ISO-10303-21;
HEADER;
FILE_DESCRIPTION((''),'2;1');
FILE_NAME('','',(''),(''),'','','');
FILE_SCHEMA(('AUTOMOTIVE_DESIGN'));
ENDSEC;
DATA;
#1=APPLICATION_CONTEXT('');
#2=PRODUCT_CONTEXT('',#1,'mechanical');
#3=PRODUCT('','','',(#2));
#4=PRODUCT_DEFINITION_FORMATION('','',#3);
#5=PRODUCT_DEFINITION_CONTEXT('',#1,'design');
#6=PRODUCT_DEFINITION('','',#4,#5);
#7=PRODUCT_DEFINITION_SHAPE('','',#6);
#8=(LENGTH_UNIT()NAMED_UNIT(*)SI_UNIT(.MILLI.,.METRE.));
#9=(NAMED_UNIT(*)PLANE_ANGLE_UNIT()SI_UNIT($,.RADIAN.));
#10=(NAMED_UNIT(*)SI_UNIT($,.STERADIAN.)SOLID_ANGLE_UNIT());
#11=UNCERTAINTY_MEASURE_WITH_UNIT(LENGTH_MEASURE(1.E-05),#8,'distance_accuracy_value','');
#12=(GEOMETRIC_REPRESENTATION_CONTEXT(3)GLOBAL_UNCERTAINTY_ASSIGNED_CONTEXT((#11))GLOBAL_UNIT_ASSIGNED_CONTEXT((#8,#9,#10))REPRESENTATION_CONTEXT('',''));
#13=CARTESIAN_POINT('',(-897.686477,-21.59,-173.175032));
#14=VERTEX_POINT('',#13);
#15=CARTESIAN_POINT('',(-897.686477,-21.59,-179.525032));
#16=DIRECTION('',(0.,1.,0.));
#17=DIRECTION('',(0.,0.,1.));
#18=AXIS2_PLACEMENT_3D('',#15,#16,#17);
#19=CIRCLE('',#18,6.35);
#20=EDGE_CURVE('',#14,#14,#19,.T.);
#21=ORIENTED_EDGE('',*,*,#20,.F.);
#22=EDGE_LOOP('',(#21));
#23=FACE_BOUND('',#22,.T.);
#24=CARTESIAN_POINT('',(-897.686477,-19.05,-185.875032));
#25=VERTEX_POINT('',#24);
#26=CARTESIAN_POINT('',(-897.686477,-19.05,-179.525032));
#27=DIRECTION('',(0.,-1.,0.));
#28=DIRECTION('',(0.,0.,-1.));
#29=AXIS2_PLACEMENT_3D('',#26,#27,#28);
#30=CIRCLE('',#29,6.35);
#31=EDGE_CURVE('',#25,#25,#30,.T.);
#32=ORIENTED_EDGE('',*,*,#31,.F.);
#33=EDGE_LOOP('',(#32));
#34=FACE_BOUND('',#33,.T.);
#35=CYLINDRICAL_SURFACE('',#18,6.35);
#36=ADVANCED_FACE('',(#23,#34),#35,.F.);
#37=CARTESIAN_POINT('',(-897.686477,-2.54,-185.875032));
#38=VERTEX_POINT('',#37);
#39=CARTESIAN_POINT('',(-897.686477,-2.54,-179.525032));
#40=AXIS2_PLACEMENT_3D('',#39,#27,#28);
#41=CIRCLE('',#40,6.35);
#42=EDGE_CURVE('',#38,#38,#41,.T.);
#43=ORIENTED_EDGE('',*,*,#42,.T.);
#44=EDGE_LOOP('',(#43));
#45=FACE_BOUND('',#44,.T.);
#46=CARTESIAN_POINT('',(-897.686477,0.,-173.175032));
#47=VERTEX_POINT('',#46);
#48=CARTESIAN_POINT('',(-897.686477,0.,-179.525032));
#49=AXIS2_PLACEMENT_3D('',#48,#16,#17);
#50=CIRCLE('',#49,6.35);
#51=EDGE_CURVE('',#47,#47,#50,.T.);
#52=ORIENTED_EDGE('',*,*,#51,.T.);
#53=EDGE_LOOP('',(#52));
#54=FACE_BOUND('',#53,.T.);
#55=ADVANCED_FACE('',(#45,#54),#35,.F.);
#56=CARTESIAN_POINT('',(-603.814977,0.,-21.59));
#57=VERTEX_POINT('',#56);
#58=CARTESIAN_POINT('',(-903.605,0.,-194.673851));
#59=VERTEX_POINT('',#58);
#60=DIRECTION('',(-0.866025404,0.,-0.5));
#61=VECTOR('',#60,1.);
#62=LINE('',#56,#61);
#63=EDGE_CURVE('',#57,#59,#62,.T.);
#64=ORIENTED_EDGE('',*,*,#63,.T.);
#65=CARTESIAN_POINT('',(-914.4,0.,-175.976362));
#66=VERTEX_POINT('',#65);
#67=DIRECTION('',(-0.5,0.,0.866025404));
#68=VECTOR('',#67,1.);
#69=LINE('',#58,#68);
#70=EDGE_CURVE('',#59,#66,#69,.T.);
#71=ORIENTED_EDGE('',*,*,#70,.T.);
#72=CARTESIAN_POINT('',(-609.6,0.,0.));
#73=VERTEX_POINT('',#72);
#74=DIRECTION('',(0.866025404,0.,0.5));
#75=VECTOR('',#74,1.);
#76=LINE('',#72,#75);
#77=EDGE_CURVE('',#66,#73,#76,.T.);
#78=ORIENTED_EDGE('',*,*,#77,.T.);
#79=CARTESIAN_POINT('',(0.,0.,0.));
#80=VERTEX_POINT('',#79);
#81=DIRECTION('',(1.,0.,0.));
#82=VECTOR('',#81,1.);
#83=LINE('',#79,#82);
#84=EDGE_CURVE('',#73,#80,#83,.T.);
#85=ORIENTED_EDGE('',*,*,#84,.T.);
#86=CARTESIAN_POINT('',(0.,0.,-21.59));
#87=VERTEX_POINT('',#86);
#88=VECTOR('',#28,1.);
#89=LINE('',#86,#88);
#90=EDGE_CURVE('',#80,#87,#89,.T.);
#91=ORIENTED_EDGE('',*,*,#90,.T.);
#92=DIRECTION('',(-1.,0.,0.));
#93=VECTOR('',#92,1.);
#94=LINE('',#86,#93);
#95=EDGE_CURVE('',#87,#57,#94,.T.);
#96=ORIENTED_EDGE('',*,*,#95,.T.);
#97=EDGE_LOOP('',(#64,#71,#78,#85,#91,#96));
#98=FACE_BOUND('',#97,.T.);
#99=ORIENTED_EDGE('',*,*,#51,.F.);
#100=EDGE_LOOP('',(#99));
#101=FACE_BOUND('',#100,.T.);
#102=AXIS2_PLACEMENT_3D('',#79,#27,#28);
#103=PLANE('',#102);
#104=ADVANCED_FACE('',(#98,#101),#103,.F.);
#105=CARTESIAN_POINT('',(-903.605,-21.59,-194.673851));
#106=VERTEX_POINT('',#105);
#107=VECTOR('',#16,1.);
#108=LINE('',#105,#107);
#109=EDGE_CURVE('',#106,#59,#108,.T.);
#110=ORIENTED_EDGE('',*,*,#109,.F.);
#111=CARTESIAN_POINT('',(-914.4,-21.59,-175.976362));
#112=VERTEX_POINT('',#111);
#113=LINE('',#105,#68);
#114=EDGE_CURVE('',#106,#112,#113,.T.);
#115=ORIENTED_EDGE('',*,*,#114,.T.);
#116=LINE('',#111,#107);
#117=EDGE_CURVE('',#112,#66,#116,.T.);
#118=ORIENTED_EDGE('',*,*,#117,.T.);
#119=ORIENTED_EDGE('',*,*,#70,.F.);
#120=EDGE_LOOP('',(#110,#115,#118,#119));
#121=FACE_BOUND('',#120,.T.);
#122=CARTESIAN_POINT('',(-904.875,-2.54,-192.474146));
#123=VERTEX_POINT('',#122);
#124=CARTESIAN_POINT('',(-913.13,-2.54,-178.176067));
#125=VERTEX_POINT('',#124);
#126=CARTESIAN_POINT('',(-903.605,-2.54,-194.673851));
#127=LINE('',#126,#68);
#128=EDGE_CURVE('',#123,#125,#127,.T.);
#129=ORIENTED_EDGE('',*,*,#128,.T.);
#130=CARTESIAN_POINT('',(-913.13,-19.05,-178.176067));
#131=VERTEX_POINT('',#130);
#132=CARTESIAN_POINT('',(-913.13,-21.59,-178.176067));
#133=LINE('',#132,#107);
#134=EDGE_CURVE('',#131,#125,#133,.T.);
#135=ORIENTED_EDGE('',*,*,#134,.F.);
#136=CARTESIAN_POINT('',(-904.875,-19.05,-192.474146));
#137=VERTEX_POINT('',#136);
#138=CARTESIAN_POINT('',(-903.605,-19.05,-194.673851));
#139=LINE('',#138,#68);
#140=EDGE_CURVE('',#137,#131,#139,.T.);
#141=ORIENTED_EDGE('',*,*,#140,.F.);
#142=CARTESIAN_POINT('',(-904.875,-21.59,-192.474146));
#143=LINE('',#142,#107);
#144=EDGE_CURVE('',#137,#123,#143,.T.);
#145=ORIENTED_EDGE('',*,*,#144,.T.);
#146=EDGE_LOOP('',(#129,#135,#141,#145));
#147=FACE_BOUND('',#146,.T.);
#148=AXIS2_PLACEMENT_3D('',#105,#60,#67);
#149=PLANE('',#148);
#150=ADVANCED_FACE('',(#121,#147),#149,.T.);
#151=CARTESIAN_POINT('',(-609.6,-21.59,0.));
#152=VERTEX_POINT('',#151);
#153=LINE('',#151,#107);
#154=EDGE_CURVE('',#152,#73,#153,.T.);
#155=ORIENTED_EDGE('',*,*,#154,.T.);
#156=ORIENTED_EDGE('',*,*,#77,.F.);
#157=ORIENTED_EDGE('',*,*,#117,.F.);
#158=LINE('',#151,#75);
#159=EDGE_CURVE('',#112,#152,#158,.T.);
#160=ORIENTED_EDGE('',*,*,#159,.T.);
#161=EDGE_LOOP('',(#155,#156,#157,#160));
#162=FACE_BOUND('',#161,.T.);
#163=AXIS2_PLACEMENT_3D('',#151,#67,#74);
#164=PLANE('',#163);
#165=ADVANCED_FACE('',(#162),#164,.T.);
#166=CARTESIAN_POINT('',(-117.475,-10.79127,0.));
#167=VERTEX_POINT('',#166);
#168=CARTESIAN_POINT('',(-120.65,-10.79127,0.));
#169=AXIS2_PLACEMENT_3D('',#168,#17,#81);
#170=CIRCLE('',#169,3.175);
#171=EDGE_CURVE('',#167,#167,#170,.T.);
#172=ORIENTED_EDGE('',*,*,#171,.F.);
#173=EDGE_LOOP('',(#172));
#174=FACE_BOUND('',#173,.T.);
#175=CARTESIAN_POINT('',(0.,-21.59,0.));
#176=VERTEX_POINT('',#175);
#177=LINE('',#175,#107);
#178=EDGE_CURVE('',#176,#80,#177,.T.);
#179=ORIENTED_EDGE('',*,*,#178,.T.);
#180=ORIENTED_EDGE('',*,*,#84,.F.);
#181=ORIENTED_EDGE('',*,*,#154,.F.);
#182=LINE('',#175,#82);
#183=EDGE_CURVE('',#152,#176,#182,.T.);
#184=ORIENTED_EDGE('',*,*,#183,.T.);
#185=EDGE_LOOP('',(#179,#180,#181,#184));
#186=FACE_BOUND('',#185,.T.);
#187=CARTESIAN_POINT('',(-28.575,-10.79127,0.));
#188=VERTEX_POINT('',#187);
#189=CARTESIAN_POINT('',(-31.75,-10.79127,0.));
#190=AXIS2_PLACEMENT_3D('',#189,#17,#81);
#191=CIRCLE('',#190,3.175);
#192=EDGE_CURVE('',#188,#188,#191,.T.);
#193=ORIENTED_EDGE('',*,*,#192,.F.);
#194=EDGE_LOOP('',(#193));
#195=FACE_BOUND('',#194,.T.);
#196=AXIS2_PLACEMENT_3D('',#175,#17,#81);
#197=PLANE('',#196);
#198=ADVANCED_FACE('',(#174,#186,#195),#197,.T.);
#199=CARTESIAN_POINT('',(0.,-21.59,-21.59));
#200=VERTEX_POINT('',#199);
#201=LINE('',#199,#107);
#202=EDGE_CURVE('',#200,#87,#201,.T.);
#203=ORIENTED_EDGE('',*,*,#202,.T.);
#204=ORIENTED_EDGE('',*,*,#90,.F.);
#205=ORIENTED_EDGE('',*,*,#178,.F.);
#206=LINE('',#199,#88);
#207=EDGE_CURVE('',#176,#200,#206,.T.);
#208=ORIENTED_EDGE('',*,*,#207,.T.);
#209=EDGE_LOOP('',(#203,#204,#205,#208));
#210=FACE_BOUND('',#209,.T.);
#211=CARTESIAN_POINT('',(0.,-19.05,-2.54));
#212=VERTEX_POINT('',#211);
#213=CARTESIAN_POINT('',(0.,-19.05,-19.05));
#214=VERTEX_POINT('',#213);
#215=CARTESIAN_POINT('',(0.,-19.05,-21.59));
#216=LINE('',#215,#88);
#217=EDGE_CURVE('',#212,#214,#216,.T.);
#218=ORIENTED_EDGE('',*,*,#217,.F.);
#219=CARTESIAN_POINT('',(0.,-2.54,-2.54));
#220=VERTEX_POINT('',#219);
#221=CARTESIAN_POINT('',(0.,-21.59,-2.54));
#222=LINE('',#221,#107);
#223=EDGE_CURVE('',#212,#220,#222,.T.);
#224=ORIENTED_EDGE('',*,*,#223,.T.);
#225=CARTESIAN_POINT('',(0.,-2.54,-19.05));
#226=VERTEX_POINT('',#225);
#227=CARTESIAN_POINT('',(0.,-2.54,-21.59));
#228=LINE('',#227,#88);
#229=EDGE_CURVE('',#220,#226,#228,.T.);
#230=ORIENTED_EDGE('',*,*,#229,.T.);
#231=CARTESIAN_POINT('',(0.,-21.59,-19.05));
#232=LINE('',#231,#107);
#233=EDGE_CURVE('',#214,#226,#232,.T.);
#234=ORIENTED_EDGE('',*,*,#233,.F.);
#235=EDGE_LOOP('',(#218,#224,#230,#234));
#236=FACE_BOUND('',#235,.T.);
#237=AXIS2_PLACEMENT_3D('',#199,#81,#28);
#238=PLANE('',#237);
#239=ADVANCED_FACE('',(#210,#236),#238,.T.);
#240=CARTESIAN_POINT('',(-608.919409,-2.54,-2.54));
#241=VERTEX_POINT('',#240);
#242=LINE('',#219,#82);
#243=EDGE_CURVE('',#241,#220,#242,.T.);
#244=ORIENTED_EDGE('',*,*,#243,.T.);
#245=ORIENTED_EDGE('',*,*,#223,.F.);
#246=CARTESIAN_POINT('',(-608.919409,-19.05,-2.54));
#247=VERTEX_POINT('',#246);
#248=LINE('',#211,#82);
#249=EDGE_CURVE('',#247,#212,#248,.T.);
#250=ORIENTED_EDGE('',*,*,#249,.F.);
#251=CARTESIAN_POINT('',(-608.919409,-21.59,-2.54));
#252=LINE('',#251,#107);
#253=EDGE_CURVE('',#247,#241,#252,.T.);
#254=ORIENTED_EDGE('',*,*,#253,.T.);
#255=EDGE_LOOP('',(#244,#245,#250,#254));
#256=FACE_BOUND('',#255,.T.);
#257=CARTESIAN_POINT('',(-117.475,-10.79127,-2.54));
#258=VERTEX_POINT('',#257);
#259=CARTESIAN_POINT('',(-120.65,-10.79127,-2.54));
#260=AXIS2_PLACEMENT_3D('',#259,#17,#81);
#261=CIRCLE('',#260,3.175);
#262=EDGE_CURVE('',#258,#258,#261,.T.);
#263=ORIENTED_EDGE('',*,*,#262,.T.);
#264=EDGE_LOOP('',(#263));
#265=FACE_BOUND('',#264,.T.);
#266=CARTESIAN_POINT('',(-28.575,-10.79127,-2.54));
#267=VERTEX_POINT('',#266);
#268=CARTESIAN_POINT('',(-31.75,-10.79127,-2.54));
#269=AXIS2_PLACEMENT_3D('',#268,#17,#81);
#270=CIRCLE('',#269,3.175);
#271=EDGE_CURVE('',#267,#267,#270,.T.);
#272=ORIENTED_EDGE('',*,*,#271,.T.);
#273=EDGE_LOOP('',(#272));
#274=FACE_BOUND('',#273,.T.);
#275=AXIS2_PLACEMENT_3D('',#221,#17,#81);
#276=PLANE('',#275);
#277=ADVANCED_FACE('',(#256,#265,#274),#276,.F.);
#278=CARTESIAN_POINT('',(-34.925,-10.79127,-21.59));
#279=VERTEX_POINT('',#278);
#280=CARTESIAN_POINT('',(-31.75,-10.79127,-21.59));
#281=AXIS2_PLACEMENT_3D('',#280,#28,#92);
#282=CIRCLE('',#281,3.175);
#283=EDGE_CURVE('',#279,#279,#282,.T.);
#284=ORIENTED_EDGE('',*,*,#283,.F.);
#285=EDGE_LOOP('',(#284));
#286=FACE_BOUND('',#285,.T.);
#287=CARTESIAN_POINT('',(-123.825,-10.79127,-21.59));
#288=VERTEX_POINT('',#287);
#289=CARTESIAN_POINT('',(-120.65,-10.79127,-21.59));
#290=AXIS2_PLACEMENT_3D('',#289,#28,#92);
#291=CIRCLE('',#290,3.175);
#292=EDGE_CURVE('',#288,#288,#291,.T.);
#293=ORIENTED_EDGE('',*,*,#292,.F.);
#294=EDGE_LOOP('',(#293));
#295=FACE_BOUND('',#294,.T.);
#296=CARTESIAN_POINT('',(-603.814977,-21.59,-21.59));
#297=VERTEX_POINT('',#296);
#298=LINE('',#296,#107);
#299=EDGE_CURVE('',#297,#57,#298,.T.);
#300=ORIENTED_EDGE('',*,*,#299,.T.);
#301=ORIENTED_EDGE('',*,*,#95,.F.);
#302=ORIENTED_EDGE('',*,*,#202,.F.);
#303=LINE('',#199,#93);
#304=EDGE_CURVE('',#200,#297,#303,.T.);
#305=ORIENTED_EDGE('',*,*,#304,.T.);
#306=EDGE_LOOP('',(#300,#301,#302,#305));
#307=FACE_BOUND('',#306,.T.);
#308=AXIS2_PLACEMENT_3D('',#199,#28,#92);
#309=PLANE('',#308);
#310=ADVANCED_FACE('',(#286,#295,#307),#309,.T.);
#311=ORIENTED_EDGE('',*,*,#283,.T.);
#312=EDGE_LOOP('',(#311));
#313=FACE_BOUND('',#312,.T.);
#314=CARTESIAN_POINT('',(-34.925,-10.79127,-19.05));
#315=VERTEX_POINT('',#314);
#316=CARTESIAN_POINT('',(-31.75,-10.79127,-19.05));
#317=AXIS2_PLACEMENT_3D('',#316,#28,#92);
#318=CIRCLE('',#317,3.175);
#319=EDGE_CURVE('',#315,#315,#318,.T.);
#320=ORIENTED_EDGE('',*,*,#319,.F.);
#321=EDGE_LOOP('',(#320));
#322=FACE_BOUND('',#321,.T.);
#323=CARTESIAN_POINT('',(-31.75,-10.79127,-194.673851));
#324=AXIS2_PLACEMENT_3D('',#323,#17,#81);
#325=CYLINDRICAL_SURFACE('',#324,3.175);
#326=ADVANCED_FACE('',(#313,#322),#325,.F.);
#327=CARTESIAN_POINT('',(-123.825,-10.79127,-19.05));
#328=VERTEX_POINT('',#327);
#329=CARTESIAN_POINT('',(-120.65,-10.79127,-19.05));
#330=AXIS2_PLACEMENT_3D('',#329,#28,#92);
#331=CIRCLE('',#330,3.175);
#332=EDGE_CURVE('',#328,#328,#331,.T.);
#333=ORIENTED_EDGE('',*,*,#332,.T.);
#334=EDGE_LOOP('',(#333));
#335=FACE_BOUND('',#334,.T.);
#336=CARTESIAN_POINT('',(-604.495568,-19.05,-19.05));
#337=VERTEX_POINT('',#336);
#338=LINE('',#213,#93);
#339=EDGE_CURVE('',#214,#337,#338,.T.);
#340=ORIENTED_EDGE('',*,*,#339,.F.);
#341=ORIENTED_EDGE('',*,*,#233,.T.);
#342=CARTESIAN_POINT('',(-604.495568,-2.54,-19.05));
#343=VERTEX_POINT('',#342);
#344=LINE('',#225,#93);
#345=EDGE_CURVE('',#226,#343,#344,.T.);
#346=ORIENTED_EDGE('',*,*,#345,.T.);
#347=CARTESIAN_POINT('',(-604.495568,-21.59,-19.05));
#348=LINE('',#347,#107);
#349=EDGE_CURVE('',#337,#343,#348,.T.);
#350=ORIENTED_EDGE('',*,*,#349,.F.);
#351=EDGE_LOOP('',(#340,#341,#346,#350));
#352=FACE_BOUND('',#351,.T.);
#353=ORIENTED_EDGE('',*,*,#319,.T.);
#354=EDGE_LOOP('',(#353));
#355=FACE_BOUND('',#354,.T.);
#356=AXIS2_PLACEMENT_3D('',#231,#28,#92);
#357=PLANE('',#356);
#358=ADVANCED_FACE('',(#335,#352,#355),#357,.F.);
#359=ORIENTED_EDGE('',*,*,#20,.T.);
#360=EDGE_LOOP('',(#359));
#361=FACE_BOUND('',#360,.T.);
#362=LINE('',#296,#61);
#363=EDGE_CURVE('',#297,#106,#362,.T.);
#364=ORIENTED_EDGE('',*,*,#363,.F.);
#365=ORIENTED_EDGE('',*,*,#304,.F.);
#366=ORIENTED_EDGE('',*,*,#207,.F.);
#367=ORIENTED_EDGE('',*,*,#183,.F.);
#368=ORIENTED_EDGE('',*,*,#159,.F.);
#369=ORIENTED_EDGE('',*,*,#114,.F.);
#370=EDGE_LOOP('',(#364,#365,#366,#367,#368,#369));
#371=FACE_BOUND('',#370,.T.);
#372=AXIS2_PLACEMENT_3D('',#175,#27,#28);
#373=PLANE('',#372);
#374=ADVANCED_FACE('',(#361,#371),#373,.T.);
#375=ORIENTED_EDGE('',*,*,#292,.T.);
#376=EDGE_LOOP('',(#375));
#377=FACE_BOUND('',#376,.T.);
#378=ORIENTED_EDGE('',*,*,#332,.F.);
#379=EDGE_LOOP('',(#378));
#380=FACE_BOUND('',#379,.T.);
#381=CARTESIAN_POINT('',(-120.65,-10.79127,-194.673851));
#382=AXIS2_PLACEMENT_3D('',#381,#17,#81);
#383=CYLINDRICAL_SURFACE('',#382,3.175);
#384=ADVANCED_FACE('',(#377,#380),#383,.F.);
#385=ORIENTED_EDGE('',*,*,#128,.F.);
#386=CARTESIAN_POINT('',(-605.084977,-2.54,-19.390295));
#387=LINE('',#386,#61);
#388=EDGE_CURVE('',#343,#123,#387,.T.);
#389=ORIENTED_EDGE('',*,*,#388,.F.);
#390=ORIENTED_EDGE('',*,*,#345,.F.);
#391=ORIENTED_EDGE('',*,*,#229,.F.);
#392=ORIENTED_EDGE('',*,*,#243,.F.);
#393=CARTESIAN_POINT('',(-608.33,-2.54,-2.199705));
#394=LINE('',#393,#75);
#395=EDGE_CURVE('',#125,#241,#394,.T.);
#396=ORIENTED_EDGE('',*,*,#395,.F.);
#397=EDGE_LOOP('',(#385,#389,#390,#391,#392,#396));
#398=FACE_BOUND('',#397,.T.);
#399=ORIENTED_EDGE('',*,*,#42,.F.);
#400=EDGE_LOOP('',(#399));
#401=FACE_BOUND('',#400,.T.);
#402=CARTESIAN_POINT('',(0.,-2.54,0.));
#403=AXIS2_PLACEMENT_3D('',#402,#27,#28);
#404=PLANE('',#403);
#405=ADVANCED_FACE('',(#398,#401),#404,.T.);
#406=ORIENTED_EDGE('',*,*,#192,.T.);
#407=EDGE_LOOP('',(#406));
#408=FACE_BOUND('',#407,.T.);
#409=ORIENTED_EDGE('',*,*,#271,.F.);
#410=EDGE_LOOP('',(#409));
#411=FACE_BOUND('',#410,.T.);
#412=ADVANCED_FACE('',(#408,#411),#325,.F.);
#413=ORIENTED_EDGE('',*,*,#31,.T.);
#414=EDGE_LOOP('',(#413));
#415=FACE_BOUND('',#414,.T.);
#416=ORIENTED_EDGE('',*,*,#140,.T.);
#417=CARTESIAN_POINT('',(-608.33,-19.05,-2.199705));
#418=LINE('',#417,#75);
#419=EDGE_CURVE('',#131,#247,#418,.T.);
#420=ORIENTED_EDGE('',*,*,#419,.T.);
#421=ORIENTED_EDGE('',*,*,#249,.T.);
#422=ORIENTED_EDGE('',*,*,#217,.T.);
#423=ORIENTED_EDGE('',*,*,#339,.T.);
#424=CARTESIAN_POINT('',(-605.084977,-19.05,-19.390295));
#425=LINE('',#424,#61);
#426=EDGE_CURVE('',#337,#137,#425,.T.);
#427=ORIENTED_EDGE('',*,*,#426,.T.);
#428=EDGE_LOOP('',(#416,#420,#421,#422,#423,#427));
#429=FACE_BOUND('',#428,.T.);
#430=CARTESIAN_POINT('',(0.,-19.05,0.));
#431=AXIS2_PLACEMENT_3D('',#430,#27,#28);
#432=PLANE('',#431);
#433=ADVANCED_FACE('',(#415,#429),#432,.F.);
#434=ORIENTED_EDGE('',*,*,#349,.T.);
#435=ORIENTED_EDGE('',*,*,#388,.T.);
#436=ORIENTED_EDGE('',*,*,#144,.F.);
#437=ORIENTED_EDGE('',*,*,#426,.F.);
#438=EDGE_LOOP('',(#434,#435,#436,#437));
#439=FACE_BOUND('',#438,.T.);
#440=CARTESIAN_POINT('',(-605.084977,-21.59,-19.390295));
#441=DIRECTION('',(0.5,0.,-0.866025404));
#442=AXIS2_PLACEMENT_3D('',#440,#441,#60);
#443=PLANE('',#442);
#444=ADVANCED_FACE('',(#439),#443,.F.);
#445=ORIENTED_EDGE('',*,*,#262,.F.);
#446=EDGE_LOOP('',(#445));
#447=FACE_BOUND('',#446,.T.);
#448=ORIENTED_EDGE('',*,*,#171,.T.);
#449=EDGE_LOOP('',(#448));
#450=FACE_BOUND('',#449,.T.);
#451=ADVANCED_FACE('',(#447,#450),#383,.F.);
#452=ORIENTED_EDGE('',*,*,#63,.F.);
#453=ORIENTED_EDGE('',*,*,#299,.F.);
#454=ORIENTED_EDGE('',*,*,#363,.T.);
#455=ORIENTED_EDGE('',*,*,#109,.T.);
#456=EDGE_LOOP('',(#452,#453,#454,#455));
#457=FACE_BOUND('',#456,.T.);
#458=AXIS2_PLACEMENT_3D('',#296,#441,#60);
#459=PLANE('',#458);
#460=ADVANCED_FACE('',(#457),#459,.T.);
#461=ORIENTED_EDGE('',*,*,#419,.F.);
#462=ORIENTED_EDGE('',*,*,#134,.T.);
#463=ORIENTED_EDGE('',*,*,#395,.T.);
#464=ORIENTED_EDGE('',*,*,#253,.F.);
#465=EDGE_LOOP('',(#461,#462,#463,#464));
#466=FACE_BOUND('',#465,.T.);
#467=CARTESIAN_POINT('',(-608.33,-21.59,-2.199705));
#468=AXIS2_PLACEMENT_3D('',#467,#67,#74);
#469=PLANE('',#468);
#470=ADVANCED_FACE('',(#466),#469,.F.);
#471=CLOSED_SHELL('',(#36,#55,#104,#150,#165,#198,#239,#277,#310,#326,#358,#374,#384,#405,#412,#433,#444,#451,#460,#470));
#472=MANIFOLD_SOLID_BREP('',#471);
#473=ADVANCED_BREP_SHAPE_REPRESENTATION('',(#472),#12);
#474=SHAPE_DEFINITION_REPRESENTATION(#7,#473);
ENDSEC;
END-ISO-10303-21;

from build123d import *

# Parameters (mm, degrees)
BOSS_EXTRUDE1_DEPTH          = 21.59
SHELL3_T                     = -2.54
SKETCH2_R                    = 3.175
PIN_HOLES_DEPTH              = 195.673850517
SKETCH3_R                    = 6.35
TOW_HITCH_ADAPTOR_HOLE_DEPTH = 22.59


with BuildPart() as part:
    # Sketch1 → Boss-Extrude1 (new body)
    with BuildSketch(Plane(origin=(0, 0, 0), x_dir=(1, 0, 0), z_dir=(0, 1, 0))):
        Polygon((0, 0), (-609.6, 0), (-914.4, 175.976362049), (-903.605, 194.673850517), (-603.814976935, 21.59), (0, 21.59), align=None)
    extrude(amount=-BOSS_EXTRUDE1_DEPTH)

    # Shell3
    shell3_openings = [part.faces().sort_by_distance(p)[0] for p in [
        (-909.0025, -10.795, -185.325106283),
        (0, -10.795, -10.795),
    ]]
    offset(amount=SHELL3_T, openings=shell3_openings, kind=Kind.INTERSECTION)

    # Sketch2 → PIN HOLES (cut, through all)
    with BuildSketch(Plane.XY):
        with Locations((-120.65, -10.791269693)):
            Circle(SKETCH2_R)
        with Locations((-31.75, -10.791269693)):
            Circle(SKETCH2_R)
    extrude(amount=-PIN_HOLES_DEPTH, mode=Mode.SUBTRACT)

    # Sketch3 → TOW HITCH ADAPTOR HOLE (cut, through all)
    with BuildSketch(Plane(origin=(0, 0, 0), x_dir=(1, 0, 0), z_dir=(0, 1, 0))):
        with Locations((-897.686477372, 179.525032414)):
            Circle(SKETCH3_R)
    extrude(amount=-TOW_HITCH_ADAPTOR_HOLE_DEPTH, mode=Mode.SUBTRACT)


solid = part.part
